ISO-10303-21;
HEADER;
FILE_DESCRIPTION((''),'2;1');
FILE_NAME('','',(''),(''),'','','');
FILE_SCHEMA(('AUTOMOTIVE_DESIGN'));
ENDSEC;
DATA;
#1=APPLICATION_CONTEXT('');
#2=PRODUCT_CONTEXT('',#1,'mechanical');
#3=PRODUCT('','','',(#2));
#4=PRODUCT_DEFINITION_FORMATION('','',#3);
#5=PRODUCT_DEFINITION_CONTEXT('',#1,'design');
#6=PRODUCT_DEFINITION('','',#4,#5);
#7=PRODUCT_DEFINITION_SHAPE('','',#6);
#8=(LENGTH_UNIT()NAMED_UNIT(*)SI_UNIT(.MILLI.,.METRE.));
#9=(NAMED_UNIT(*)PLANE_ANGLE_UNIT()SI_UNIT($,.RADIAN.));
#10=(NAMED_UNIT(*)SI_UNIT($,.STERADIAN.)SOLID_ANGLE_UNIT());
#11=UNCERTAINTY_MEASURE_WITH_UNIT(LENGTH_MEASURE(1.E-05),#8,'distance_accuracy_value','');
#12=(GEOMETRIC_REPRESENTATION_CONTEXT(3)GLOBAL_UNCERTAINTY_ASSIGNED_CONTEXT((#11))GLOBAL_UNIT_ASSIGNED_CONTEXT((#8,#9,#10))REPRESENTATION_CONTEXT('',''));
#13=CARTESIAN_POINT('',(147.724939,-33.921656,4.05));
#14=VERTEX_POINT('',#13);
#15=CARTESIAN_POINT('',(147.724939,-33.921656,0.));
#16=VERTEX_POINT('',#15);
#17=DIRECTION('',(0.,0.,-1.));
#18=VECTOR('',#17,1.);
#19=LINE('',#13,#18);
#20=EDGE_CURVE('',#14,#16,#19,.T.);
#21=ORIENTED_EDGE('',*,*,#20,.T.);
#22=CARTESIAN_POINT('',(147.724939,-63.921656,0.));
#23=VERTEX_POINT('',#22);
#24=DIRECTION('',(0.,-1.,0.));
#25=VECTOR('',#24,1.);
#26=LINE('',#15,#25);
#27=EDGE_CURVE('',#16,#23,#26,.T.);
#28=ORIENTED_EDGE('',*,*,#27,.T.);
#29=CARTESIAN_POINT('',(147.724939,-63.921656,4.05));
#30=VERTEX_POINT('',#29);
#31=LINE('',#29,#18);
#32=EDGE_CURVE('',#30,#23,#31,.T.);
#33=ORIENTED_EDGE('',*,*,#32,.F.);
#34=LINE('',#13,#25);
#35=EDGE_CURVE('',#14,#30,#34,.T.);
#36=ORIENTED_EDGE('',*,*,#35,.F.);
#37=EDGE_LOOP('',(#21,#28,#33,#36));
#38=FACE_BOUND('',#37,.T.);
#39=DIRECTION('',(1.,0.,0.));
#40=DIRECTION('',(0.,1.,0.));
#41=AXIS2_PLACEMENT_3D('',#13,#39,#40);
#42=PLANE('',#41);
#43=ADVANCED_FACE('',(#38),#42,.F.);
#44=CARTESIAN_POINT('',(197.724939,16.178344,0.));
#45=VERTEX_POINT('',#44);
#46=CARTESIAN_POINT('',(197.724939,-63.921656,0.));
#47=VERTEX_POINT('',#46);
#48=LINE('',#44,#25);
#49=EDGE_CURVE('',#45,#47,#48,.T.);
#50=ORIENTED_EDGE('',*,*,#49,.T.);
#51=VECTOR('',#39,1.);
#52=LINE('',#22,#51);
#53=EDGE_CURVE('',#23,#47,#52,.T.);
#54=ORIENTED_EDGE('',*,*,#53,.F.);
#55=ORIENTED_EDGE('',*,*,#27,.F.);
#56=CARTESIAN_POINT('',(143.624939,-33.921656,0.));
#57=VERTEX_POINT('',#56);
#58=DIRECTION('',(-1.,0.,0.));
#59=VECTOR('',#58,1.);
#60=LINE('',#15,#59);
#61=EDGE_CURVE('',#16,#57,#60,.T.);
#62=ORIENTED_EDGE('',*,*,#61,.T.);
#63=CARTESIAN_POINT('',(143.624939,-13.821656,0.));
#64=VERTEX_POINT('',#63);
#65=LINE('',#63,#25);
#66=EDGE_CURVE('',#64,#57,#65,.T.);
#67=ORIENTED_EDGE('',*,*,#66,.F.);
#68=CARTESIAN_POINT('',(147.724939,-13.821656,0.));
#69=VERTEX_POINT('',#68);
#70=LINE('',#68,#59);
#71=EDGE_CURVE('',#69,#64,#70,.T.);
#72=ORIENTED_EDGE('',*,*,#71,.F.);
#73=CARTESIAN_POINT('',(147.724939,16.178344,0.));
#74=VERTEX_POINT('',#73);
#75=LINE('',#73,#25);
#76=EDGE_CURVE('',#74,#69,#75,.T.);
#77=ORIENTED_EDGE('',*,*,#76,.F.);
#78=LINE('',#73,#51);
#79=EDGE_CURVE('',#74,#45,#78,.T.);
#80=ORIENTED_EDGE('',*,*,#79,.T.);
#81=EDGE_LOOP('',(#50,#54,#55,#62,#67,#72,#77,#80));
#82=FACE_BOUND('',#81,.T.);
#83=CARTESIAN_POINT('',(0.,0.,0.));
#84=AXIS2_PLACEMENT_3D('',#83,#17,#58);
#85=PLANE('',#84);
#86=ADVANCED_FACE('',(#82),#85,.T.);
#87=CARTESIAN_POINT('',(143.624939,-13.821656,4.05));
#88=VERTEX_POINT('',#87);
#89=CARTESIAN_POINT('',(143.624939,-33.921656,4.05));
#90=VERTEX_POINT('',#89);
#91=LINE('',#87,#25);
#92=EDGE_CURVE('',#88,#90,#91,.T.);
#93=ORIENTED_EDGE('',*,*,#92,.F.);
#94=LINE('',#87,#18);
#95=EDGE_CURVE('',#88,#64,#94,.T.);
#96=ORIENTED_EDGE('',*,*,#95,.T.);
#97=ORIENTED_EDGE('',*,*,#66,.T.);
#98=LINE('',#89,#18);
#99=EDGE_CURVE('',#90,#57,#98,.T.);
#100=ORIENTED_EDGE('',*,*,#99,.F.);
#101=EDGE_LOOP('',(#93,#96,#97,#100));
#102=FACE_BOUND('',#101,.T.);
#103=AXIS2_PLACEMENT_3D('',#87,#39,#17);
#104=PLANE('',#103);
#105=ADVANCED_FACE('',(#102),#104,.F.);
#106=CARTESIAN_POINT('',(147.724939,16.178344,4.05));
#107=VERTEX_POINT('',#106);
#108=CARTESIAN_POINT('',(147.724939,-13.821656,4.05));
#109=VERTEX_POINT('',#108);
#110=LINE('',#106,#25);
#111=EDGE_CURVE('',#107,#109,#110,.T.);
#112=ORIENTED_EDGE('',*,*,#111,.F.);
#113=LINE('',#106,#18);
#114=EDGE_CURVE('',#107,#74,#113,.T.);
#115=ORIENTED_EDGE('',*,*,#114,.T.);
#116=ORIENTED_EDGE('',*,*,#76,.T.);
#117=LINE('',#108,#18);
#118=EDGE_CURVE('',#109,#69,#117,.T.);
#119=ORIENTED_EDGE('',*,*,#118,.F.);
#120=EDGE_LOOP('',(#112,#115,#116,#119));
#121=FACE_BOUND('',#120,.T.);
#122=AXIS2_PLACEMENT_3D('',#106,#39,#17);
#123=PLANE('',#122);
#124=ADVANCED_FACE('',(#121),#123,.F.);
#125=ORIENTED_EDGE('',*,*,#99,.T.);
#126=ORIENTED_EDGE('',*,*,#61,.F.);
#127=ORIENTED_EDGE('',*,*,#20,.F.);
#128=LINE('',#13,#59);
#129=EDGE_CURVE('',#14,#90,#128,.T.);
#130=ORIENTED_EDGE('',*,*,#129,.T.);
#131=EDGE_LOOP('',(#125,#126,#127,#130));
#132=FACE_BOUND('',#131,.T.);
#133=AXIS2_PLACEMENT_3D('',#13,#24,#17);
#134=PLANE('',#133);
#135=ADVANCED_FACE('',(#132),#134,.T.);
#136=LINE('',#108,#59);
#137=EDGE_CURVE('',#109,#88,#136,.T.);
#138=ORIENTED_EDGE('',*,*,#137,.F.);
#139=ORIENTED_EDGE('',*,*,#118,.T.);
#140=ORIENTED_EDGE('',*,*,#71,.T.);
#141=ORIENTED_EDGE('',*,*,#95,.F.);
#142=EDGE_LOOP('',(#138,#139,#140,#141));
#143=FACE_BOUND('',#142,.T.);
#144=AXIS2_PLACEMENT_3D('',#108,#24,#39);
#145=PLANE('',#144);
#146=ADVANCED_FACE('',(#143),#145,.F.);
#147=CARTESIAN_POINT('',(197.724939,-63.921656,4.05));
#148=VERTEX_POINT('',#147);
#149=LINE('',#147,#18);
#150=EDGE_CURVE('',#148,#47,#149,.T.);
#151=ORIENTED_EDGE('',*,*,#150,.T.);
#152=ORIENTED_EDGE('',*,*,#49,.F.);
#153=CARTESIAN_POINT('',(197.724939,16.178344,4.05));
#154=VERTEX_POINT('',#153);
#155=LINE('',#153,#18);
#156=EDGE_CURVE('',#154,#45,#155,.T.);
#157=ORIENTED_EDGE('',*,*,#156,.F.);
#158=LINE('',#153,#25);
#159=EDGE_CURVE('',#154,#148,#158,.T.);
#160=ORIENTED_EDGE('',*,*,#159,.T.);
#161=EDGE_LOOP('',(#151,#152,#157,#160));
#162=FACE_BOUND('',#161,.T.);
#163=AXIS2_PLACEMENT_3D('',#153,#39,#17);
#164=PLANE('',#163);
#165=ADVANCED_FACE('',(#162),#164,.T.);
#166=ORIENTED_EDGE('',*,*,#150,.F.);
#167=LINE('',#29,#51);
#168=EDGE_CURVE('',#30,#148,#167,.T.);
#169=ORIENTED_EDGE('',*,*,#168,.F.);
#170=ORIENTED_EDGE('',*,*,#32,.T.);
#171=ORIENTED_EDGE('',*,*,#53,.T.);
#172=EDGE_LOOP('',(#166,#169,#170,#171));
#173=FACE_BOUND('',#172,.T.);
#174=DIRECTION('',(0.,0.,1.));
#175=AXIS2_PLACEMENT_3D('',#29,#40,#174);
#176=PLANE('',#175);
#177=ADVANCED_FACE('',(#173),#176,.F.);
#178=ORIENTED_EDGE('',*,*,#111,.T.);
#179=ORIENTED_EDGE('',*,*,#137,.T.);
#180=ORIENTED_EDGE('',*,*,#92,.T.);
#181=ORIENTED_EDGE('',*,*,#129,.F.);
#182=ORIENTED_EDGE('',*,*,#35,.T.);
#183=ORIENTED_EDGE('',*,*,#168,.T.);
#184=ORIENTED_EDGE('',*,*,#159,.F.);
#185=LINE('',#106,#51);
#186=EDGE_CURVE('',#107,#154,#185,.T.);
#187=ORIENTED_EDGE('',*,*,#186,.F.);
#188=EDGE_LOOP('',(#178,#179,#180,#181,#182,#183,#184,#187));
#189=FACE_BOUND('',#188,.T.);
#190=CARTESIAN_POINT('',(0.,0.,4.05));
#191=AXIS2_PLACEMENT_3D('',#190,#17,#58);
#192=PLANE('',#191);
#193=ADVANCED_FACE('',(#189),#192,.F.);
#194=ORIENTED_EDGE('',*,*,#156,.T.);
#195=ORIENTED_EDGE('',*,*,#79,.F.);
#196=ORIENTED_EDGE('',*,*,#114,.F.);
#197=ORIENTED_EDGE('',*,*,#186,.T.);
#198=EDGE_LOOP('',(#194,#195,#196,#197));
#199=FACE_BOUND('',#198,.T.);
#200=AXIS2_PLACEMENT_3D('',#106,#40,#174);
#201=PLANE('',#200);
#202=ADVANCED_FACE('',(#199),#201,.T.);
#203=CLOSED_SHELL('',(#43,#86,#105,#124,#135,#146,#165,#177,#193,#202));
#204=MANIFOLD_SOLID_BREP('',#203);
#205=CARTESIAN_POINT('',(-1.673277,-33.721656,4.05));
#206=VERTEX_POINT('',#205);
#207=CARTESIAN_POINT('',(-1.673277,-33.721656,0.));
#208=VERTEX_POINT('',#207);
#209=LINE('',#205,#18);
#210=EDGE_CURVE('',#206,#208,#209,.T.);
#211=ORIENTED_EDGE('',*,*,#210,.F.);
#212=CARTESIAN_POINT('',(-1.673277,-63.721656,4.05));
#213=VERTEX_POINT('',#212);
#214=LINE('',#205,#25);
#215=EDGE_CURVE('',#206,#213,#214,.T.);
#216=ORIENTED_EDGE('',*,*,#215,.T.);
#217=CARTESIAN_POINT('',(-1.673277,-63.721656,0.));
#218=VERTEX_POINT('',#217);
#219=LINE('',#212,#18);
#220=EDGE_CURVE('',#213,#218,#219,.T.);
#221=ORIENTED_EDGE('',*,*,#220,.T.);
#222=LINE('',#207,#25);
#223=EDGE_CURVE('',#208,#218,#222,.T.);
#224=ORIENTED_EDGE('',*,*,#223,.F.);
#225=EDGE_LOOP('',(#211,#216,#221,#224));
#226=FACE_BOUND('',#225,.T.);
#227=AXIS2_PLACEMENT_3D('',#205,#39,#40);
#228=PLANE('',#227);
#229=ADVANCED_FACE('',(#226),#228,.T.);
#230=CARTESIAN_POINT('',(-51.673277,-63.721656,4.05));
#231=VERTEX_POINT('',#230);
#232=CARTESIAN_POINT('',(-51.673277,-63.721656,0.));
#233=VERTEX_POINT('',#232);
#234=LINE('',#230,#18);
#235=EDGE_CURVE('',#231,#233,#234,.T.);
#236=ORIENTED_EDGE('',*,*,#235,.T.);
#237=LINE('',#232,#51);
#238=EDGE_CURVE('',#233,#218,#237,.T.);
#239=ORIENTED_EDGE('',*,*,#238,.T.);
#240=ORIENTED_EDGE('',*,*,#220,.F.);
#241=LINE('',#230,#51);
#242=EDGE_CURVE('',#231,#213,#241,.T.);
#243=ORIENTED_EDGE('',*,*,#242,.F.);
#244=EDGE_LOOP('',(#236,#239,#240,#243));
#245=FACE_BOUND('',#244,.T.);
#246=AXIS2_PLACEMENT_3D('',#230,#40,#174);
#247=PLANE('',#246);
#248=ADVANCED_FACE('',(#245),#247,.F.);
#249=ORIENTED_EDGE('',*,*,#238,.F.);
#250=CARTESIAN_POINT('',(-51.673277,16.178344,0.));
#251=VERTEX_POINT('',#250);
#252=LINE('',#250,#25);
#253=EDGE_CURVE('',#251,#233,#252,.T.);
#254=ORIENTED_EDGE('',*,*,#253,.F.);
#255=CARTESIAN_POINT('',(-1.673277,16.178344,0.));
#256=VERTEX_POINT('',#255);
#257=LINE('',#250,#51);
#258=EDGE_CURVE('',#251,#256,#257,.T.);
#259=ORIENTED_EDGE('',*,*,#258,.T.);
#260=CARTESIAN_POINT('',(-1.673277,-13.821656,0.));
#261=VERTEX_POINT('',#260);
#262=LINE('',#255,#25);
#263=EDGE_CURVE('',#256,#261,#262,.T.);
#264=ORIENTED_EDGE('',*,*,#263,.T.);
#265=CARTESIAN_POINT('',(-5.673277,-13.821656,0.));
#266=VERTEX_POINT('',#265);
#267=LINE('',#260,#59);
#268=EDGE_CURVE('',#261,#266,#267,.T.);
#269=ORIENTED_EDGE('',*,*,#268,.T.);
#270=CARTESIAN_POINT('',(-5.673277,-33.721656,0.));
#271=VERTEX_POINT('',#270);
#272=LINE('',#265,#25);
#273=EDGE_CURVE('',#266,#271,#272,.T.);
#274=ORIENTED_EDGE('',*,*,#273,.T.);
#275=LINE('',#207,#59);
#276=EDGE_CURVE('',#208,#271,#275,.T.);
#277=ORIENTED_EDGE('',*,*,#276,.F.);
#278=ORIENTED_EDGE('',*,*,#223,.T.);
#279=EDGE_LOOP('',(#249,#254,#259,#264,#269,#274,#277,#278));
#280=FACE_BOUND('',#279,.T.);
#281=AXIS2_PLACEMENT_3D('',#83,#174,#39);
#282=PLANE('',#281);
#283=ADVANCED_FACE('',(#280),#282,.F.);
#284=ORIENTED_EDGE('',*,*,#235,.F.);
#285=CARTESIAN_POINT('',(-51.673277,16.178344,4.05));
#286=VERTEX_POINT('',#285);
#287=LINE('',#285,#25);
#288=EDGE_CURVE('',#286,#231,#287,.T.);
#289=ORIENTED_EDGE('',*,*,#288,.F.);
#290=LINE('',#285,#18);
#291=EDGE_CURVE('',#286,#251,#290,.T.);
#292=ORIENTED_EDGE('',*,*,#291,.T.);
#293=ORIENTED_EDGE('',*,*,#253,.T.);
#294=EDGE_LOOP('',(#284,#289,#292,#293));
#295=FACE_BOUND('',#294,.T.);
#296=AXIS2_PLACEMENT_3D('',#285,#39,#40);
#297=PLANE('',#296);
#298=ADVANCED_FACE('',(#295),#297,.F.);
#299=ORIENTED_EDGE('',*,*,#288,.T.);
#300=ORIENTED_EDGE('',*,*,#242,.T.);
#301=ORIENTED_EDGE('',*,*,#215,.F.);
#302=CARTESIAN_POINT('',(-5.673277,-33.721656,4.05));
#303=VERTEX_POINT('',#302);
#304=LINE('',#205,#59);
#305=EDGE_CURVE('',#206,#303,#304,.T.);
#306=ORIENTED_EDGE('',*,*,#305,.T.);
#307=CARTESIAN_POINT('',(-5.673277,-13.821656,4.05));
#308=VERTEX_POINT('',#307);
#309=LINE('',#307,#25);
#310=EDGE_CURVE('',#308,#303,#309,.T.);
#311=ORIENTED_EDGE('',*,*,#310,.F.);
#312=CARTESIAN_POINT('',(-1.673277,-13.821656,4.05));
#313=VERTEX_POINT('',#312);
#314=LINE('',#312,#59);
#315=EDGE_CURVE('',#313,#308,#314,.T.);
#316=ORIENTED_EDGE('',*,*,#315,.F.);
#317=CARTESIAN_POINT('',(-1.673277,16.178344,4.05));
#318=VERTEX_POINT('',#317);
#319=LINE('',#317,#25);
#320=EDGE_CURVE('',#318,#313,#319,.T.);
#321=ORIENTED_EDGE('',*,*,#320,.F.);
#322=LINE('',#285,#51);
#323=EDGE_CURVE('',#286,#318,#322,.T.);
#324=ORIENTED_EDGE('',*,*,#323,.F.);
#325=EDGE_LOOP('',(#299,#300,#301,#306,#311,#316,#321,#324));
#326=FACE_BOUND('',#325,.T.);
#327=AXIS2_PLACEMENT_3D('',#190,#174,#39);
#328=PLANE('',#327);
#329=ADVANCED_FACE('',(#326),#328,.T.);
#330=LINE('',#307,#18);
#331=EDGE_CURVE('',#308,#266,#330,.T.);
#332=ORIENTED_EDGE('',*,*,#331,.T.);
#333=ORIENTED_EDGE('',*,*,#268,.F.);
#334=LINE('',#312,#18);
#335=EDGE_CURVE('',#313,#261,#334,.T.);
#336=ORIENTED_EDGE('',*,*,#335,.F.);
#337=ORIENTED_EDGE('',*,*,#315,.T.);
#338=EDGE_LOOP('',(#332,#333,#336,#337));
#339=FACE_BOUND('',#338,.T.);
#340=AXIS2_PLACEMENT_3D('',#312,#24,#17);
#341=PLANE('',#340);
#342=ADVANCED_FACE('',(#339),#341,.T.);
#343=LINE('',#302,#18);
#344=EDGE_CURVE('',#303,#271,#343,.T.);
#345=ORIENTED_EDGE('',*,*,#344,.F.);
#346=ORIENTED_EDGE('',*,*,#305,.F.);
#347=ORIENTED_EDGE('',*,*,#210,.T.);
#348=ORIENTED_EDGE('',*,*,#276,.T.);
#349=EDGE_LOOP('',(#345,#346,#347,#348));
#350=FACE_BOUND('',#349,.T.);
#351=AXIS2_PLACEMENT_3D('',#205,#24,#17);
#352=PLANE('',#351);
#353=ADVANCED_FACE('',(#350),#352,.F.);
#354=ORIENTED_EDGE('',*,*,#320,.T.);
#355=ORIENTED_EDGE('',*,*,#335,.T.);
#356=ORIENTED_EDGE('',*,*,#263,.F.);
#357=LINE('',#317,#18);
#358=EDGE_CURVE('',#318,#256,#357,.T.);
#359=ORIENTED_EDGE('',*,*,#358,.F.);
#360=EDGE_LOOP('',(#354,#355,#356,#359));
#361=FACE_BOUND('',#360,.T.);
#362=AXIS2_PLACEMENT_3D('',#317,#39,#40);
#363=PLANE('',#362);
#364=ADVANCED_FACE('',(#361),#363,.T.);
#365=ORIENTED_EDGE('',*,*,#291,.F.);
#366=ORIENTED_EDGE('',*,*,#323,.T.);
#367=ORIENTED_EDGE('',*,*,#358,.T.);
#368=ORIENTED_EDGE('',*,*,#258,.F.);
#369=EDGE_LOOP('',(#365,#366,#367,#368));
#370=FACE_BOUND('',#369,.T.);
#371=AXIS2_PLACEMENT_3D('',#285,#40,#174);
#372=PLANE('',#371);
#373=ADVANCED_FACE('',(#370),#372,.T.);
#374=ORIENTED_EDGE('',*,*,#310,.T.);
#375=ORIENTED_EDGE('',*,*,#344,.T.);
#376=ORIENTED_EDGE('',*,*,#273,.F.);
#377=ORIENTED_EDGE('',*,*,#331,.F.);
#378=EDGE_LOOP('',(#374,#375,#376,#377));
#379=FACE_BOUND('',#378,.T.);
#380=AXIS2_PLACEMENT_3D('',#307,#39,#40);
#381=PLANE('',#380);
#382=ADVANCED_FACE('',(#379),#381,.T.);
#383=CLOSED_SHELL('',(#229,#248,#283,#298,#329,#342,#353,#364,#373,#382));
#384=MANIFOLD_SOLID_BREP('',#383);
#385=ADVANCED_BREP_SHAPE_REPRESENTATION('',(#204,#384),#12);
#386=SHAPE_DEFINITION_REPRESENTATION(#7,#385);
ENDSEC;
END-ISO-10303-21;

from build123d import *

# Parameters (mm, degrees)
ESTRUSIONE_ESTRUSIONE1_DEPTH = 4.05
ESTRUSIONE_ESTRUSIONE2_DEPTH = 4.05


with BuildPart() as part:
    # Schizzo1 → Estrusione-Estrusione1 (new body)
    with BuildSketch(Plane.XY):
        Polygon((-1.673277118, -33.721656051), (-1.673277118, -63.721656051), (-51.673277118, -63.721656051), (-51.673277118, 16.178343949), (-1.673277118, 16.178343949), (-1.673277118, -13.821656051), (-5.673277118, -13.821656051), (-5.673277118, -33.721656051), align=None)
    extrude(amount=ESTRUSIONE_ESTRUSIONE1_DEPTH)


with BuildPart() as body_2:
    # Schizzo1<3> → Estrusione-Estrusione2 (new body)
    with BuildSketch(Plane.XY):
        Polygon((147.724938623, -33.921656051), (147.724938623, -63.921656051), (197.724938623, -63.921656051), (197.724938623, 16.178343949), (147.724938623, 16.178343949), (147.724938623, -13.821656051), (143.624938623, -13.821656051), (143.624938623, -33.921656051), align=None)
    extrude(amount=ESTRUSIONE_ESTRUSIONE2_DEPTH)


solid = Compound([part.part, body_2.part])
